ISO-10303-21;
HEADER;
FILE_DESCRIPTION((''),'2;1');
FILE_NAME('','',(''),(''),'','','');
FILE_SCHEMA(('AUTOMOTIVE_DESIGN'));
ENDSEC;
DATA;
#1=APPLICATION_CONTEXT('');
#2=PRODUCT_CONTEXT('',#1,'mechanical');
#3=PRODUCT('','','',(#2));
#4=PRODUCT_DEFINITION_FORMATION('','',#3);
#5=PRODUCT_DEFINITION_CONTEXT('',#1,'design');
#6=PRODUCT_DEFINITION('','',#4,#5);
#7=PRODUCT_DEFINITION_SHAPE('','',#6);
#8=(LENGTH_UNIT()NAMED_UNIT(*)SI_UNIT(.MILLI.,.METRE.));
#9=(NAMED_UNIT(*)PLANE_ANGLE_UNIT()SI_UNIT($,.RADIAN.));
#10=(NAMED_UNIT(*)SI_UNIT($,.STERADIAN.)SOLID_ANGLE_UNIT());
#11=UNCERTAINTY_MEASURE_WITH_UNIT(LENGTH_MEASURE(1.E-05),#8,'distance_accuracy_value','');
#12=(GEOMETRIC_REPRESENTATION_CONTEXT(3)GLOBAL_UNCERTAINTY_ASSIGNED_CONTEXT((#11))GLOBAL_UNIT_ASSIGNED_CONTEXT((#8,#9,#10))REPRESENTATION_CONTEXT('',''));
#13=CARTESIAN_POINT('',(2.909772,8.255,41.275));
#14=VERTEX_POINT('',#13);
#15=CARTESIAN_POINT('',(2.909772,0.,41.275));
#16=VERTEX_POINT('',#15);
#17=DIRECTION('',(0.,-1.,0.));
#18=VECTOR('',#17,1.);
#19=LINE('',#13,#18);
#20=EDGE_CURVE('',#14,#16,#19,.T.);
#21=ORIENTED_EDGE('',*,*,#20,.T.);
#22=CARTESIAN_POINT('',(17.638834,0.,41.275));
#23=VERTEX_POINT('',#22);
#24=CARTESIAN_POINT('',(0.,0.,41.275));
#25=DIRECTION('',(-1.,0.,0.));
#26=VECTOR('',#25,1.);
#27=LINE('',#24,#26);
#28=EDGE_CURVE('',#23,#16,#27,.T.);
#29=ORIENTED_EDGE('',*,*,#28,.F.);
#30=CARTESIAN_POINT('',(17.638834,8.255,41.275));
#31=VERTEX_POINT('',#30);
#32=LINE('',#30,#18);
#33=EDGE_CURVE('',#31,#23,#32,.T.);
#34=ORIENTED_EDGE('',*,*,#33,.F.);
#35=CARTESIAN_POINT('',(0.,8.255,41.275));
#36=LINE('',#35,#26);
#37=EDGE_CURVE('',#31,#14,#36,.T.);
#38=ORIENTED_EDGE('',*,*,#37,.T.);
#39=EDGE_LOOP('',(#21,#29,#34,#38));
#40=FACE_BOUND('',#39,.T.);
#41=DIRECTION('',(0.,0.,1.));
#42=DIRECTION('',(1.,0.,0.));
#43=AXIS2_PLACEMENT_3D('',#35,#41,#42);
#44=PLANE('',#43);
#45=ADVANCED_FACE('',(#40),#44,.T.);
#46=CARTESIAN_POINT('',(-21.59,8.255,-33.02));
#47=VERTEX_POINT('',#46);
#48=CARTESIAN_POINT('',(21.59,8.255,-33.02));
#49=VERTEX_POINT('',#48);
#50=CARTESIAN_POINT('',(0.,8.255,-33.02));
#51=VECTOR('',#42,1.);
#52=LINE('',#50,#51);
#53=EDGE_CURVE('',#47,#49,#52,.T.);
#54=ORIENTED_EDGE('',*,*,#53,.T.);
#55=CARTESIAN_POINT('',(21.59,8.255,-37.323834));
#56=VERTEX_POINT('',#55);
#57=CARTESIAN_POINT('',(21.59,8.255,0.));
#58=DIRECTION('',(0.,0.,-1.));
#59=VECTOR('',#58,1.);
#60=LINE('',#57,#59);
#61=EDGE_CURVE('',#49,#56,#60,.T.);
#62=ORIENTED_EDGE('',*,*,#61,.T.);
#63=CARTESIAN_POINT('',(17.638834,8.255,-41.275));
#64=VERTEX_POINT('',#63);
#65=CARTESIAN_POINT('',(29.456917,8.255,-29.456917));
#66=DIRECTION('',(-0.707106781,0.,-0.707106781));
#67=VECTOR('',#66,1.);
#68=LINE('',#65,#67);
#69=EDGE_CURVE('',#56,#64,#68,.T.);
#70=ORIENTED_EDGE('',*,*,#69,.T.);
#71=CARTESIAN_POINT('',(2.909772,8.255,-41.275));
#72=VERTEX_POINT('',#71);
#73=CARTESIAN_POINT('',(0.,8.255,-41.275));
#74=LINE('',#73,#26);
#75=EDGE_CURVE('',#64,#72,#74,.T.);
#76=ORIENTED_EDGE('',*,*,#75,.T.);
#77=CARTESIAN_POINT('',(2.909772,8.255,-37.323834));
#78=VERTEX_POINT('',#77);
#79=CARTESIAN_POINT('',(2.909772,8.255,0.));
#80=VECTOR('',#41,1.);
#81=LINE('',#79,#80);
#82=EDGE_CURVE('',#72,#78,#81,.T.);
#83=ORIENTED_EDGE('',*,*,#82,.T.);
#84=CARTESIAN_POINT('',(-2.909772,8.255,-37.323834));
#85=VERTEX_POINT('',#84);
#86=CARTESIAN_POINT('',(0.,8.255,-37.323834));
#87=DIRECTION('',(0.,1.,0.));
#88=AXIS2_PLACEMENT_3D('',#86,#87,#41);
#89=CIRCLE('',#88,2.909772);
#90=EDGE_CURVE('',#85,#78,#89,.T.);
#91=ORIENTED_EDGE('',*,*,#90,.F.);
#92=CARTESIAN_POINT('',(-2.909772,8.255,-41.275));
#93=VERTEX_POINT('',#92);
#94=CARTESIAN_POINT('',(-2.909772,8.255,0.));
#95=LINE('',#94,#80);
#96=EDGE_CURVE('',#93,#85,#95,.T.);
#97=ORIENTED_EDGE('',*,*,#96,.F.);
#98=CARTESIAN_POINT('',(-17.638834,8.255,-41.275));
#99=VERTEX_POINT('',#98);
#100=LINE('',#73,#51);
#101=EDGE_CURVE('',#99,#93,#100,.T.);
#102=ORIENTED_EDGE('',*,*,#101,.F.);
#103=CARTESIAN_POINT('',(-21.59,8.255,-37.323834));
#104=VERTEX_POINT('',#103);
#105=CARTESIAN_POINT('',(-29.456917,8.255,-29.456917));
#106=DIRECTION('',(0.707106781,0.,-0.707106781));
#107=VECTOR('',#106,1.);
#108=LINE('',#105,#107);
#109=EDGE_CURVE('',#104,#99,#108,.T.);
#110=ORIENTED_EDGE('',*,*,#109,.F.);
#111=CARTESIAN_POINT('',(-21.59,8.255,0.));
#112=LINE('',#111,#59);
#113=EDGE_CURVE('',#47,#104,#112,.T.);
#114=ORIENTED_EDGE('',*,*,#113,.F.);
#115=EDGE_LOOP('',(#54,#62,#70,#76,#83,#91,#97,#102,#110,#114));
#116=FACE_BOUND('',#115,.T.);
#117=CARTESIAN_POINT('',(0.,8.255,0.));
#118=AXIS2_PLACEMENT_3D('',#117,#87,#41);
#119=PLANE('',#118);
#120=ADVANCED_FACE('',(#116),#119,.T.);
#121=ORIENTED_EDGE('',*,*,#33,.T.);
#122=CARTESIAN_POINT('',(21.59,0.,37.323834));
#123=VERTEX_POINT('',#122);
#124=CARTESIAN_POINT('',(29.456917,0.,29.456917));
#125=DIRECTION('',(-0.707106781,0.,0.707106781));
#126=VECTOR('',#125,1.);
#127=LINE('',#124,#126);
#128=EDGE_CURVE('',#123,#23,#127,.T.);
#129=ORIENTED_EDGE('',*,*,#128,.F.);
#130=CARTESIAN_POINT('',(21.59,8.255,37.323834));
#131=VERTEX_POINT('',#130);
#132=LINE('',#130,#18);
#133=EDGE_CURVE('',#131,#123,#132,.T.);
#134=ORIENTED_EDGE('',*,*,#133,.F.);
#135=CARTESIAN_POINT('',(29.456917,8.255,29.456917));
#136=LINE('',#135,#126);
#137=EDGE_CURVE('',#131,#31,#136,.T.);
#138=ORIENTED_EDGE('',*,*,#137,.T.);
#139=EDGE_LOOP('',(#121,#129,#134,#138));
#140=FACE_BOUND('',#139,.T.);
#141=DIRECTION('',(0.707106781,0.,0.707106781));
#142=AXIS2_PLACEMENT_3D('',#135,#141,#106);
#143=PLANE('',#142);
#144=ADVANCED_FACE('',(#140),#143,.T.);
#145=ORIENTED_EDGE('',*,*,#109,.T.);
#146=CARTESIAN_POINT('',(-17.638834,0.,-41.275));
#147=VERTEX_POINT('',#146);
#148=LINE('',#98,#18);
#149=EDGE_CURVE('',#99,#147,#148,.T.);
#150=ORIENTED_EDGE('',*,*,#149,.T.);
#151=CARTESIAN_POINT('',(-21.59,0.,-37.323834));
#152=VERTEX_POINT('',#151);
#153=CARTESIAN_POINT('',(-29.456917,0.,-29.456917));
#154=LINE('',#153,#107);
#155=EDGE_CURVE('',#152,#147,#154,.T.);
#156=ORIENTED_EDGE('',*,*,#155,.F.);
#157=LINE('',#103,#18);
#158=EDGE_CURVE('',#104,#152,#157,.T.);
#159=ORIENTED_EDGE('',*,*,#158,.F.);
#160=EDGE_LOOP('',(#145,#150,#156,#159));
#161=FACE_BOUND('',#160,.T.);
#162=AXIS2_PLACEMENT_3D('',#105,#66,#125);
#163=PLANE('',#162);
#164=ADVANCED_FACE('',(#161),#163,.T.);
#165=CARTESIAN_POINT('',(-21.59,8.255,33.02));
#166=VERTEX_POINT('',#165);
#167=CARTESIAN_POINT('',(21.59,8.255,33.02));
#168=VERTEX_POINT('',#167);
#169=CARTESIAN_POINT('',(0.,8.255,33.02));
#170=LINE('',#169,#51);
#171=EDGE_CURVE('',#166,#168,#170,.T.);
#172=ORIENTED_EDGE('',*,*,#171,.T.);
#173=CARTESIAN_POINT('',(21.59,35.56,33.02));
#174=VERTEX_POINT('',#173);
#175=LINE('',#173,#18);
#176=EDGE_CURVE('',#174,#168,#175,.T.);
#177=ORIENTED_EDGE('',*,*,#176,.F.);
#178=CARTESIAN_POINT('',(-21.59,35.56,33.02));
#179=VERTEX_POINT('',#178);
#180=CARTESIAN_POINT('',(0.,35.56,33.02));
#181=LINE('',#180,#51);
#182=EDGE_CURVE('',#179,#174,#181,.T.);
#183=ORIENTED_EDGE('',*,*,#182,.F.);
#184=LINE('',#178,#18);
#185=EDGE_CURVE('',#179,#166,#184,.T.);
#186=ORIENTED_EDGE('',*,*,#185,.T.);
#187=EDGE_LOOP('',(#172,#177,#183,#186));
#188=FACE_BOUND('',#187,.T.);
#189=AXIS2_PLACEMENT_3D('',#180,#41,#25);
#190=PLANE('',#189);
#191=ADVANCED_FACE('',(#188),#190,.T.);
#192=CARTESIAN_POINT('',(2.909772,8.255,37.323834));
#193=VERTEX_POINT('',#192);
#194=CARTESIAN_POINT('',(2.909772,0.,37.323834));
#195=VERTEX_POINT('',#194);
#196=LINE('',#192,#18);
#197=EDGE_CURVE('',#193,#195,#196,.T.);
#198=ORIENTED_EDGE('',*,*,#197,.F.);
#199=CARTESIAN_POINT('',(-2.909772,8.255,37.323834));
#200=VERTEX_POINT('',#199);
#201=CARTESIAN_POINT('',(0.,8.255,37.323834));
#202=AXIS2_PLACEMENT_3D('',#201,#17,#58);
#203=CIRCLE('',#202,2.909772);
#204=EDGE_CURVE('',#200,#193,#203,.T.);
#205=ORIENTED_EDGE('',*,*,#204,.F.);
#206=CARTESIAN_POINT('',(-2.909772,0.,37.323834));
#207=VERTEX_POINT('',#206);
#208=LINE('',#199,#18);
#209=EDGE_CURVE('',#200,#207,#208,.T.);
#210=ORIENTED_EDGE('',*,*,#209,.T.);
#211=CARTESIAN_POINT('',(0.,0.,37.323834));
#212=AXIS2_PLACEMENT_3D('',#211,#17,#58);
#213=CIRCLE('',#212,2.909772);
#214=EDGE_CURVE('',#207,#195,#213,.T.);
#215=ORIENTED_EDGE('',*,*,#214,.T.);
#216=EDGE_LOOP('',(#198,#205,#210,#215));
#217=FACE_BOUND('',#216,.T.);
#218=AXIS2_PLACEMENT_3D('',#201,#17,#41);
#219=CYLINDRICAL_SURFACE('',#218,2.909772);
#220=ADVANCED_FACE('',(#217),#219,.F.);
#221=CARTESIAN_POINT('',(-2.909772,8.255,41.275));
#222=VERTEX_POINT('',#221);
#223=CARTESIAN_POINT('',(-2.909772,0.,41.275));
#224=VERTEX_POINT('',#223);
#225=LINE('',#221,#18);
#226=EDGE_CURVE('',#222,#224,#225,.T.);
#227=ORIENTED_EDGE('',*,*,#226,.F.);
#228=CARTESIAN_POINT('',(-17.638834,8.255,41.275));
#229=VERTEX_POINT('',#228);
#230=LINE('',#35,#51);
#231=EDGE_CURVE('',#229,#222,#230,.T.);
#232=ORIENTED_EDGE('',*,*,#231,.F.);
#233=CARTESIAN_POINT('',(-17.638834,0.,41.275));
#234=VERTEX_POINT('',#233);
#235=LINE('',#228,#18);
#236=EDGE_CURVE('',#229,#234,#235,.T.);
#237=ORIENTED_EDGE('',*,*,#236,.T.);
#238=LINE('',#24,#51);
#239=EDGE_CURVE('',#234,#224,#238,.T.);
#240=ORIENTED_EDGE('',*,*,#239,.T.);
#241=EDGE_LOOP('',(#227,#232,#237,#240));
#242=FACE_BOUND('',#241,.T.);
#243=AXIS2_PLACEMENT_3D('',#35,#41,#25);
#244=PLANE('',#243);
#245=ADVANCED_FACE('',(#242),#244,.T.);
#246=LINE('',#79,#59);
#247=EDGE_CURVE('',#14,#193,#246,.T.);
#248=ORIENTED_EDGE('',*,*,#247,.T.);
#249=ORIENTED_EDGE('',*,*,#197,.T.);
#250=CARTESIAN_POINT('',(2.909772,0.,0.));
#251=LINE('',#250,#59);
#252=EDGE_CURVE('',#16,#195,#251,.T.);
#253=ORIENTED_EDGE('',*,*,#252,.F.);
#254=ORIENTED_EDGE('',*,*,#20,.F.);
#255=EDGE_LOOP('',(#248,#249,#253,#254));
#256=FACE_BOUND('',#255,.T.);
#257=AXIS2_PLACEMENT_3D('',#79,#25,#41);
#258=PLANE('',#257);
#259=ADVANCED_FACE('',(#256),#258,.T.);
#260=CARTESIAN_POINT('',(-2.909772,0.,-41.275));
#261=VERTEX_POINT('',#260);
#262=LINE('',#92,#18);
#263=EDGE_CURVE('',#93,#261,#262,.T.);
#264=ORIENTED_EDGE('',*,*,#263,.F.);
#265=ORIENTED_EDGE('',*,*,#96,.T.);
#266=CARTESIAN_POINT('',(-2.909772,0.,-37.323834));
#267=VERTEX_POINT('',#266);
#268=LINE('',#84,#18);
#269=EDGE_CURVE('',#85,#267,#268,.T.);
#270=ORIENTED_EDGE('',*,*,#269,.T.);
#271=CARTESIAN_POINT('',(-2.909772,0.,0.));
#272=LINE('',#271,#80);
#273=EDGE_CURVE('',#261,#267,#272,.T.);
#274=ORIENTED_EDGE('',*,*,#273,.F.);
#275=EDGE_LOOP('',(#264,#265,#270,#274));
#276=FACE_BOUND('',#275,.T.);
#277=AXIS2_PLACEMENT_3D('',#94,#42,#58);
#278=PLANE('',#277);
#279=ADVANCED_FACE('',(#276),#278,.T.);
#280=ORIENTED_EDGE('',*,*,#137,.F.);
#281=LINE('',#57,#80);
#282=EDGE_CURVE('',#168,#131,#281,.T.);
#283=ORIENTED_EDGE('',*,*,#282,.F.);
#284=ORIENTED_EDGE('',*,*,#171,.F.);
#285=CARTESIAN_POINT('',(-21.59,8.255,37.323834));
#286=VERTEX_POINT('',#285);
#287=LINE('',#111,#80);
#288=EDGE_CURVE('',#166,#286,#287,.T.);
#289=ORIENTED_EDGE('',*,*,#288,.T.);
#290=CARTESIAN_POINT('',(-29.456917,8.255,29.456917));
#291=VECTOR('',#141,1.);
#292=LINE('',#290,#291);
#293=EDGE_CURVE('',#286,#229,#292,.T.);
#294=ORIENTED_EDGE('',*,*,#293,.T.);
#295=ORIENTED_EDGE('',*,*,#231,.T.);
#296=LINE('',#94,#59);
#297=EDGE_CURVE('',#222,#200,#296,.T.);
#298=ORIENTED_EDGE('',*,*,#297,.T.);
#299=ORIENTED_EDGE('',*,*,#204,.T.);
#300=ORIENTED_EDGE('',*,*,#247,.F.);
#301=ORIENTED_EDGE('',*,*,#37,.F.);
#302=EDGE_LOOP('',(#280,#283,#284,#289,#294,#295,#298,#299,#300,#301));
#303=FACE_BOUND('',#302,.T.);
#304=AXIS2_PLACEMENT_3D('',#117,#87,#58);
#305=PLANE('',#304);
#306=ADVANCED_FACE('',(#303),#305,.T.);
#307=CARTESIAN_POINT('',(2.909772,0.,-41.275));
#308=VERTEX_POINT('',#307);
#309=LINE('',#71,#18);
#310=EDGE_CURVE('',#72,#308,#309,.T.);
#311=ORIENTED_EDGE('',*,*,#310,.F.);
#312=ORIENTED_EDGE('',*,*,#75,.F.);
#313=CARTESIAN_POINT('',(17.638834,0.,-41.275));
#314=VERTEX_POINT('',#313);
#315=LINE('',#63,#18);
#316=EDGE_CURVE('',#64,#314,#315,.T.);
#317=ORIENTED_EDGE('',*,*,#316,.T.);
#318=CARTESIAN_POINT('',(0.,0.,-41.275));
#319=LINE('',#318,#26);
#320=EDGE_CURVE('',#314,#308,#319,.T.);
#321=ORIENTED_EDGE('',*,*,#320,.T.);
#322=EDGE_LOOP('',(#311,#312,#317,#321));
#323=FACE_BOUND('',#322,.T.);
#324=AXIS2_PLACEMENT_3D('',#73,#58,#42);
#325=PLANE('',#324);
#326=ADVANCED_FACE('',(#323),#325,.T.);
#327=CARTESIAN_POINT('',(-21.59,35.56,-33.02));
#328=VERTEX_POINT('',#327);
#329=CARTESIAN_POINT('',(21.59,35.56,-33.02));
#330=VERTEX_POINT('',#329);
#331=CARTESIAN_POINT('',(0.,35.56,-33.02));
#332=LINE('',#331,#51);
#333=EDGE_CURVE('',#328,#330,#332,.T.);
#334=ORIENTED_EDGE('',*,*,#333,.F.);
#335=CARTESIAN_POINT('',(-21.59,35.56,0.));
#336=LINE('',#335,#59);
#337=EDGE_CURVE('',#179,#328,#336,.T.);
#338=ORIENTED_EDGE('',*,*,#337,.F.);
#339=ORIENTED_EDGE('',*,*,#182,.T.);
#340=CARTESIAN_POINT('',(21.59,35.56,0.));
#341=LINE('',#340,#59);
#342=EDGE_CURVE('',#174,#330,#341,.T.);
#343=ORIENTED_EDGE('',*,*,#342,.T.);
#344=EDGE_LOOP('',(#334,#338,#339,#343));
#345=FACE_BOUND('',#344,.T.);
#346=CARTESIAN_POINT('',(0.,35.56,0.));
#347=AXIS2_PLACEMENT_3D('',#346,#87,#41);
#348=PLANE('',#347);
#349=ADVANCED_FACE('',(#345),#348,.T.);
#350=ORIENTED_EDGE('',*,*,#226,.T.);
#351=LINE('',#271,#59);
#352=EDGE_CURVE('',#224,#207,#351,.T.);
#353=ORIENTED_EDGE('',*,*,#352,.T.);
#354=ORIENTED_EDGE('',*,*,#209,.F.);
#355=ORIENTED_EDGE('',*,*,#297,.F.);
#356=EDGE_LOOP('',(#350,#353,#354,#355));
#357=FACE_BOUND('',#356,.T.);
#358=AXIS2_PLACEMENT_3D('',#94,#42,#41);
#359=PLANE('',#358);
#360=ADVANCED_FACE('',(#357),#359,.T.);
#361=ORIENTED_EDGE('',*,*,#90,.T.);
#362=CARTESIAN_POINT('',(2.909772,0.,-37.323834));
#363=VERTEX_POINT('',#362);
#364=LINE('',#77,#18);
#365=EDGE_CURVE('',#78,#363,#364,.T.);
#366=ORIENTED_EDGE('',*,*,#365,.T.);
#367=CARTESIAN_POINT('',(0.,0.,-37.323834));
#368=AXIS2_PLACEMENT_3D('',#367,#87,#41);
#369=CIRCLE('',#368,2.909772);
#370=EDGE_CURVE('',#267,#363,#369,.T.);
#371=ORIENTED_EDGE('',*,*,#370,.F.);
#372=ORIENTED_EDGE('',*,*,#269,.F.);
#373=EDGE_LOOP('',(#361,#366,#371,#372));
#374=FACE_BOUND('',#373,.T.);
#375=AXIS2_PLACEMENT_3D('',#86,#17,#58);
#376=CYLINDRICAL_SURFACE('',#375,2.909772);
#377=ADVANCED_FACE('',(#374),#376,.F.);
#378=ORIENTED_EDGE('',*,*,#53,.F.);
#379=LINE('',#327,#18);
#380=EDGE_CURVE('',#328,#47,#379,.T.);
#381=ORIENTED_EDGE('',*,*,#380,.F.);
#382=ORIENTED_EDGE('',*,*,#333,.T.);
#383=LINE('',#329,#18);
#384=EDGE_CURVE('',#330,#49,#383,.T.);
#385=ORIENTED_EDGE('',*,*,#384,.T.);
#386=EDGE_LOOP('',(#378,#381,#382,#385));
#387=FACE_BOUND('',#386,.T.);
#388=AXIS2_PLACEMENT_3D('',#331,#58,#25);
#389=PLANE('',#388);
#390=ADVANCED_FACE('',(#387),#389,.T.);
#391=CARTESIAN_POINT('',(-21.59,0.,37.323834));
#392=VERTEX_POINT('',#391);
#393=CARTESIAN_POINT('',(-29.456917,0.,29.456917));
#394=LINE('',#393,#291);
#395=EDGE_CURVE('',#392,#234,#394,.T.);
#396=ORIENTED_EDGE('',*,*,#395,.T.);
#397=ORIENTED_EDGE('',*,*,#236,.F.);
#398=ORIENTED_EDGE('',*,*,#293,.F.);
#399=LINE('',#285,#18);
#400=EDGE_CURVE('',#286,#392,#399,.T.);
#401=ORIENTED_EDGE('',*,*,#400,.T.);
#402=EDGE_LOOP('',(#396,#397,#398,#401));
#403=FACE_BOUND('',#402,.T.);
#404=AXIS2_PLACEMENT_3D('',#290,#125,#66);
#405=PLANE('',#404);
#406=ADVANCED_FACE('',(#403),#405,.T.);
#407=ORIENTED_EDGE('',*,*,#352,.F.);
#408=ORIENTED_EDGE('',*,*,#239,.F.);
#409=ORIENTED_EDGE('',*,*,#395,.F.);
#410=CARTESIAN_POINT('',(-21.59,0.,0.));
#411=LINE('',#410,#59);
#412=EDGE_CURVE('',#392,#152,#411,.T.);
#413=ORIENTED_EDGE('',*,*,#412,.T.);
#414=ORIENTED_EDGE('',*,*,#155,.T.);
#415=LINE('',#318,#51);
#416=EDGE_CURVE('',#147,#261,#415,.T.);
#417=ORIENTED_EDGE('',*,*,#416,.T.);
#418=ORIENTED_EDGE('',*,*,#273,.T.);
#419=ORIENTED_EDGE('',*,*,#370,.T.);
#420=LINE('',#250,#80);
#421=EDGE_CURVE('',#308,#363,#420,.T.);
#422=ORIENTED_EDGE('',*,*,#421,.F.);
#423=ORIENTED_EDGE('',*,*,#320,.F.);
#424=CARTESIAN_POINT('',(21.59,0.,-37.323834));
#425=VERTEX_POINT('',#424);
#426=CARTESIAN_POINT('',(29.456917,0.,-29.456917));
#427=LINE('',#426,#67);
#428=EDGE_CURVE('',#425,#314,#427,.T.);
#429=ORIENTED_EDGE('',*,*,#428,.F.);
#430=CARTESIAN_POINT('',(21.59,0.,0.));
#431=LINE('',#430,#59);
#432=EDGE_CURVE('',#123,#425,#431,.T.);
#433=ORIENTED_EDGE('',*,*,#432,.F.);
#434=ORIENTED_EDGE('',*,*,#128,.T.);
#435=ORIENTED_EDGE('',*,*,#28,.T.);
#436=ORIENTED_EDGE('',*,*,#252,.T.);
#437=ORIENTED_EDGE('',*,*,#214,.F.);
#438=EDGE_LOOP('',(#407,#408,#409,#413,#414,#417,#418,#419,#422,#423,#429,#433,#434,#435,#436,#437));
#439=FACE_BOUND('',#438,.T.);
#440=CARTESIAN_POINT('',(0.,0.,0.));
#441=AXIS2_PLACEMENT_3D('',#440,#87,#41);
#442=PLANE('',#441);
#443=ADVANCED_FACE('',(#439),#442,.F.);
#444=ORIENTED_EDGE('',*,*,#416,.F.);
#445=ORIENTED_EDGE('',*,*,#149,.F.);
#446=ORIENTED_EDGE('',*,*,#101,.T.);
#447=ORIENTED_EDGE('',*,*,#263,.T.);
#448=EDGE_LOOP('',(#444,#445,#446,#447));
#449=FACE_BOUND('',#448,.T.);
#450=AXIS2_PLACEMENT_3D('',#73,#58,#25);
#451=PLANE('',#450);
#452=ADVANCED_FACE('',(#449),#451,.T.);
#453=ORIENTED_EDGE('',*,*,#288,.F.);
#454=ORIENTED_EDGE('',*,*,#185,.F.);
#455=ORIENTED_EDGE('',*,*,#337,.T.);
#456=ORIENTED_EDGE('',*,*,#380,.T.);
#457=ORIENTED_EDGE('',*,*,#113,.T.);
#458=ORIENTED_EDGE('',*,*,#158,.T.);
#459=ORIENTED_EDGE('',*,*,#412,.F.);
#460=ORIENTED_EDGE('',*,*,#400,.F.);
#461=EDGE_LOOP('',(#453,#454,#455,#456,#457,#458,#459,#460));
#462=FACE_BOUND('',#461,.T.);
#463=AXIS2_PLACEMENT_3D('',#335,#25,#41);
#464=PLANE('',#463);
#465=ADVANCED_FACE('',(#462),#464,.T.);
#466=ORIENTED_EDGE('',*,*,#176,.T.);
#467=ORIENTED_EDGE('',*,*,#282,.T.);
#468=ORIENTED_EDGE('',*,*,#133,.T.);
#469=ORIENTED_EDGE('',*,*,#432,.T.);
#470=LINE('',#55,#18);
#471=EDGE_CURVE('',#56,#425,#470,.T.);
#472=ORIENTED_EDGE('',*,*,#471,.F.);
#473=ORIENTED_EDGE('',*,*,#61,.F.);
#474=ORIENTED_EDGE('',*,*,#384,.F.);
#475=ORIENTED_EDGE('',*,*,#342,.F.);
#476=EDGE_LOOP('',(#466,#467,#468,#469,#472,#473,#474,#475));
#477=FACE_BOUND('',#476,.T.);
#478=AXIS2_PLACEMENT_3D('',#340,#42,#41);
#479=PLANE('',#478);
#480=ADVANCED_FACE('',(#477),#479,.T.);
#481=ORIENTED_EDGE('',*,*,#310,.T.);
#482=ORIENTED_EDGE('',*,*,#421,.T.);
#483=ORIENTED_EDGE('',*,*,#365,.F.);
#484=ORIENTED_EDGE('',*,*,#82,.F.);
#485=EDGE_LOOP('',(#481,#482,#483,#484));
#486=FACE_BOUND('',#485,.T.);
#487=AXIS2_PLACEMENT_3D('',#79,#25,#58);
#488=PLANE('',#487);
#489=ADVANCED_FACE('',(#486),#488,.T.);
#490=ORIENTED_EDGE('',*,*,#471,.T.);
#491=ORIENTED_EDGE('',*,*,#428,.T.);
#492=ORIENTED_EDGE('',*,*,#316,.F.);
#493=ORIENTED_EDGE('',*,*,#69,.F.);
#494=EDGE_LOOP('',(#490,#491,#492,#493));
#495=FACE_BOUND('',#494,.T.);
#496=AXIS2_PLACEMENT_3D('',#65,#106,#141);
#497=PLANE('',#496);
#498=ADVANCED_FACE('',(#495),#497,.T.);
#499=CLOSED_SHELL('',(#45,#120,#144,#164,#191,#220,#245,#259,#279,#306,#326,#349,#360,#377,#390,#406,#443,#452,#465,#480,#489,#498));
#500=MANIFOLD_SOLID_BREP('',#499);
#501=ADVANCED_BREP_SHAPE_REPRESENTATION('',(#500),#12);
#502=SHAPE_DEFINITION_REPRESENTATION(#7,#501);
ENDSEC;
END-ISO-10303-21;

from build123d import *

# Parameters (mm, degrees)
SKETCH1_W           = 21.59
SKETCH1_H           = 33.02
BOSS_EXTRUDE1_DEPTH = 35.56
BOSS_EXTRUDE2_DEPTH = 8.255


with BuildPart() as part:
    # Sketch1 → Boss-Extrude1 (new body)
    with BuildSketch(Plane(origin=(0, 0, 0), x_dir=(1, 0, 0), z_dir=(0, 1, 0))):
        with Locations((-10.795, 16.51)):
            Rectangle(SKETCH1_W, SKETCH1_H)
    extrude(amount=BOSS_EXTRUDE1_DEPTH)

    # Sketch1<3> → Boss-Extrude2 (add)
    with BuildSketch(Plane(origin=(0, 0, 0), x_dir=(1, 0, 0), z_dir=(0, 1, 0))):
        with BuildLine():
            Line((-21.59, 33.02), (0, 33.02))
            Line((0, 33.02), (0, 34.414061598))
            ThreePointArc((0, 34.414061598), (-2.057519513, 35.266314085), (-2.909772, 37.323833597))
            Line((-2.909772, 37.323833597), (-2.909772, 41.275))
            Line((-2.909772, 41.275), (-17.638833597, 41.275))
            Line((-17.638833597, 41.275), (-21.59, 37.323833597))
            Line((-21.59, 37.323833597), (-21.59, 33.02))
        make_face()
    extrude(amount=BOSS_EXTRUDE2_DEPTH)

    # Mirror1: part across plane


with BuildPart() as part_1:
    add(part.part)
    add(part.part.mirror(Plane(origin=(0, 35.56, 0), x_dir=(1, 0, 0), z_dir=(0, 0, 1))))

    # Mirror2: part across plane


with BuildPart() as part_2:
    add(part_1.part)
    add(part_1.part.mirror(Plane(origin=(0, 35.56, 0), x_dir=(0, 0, 1), z_dir=(-1, 0, 0))))


solid = part_2.part
